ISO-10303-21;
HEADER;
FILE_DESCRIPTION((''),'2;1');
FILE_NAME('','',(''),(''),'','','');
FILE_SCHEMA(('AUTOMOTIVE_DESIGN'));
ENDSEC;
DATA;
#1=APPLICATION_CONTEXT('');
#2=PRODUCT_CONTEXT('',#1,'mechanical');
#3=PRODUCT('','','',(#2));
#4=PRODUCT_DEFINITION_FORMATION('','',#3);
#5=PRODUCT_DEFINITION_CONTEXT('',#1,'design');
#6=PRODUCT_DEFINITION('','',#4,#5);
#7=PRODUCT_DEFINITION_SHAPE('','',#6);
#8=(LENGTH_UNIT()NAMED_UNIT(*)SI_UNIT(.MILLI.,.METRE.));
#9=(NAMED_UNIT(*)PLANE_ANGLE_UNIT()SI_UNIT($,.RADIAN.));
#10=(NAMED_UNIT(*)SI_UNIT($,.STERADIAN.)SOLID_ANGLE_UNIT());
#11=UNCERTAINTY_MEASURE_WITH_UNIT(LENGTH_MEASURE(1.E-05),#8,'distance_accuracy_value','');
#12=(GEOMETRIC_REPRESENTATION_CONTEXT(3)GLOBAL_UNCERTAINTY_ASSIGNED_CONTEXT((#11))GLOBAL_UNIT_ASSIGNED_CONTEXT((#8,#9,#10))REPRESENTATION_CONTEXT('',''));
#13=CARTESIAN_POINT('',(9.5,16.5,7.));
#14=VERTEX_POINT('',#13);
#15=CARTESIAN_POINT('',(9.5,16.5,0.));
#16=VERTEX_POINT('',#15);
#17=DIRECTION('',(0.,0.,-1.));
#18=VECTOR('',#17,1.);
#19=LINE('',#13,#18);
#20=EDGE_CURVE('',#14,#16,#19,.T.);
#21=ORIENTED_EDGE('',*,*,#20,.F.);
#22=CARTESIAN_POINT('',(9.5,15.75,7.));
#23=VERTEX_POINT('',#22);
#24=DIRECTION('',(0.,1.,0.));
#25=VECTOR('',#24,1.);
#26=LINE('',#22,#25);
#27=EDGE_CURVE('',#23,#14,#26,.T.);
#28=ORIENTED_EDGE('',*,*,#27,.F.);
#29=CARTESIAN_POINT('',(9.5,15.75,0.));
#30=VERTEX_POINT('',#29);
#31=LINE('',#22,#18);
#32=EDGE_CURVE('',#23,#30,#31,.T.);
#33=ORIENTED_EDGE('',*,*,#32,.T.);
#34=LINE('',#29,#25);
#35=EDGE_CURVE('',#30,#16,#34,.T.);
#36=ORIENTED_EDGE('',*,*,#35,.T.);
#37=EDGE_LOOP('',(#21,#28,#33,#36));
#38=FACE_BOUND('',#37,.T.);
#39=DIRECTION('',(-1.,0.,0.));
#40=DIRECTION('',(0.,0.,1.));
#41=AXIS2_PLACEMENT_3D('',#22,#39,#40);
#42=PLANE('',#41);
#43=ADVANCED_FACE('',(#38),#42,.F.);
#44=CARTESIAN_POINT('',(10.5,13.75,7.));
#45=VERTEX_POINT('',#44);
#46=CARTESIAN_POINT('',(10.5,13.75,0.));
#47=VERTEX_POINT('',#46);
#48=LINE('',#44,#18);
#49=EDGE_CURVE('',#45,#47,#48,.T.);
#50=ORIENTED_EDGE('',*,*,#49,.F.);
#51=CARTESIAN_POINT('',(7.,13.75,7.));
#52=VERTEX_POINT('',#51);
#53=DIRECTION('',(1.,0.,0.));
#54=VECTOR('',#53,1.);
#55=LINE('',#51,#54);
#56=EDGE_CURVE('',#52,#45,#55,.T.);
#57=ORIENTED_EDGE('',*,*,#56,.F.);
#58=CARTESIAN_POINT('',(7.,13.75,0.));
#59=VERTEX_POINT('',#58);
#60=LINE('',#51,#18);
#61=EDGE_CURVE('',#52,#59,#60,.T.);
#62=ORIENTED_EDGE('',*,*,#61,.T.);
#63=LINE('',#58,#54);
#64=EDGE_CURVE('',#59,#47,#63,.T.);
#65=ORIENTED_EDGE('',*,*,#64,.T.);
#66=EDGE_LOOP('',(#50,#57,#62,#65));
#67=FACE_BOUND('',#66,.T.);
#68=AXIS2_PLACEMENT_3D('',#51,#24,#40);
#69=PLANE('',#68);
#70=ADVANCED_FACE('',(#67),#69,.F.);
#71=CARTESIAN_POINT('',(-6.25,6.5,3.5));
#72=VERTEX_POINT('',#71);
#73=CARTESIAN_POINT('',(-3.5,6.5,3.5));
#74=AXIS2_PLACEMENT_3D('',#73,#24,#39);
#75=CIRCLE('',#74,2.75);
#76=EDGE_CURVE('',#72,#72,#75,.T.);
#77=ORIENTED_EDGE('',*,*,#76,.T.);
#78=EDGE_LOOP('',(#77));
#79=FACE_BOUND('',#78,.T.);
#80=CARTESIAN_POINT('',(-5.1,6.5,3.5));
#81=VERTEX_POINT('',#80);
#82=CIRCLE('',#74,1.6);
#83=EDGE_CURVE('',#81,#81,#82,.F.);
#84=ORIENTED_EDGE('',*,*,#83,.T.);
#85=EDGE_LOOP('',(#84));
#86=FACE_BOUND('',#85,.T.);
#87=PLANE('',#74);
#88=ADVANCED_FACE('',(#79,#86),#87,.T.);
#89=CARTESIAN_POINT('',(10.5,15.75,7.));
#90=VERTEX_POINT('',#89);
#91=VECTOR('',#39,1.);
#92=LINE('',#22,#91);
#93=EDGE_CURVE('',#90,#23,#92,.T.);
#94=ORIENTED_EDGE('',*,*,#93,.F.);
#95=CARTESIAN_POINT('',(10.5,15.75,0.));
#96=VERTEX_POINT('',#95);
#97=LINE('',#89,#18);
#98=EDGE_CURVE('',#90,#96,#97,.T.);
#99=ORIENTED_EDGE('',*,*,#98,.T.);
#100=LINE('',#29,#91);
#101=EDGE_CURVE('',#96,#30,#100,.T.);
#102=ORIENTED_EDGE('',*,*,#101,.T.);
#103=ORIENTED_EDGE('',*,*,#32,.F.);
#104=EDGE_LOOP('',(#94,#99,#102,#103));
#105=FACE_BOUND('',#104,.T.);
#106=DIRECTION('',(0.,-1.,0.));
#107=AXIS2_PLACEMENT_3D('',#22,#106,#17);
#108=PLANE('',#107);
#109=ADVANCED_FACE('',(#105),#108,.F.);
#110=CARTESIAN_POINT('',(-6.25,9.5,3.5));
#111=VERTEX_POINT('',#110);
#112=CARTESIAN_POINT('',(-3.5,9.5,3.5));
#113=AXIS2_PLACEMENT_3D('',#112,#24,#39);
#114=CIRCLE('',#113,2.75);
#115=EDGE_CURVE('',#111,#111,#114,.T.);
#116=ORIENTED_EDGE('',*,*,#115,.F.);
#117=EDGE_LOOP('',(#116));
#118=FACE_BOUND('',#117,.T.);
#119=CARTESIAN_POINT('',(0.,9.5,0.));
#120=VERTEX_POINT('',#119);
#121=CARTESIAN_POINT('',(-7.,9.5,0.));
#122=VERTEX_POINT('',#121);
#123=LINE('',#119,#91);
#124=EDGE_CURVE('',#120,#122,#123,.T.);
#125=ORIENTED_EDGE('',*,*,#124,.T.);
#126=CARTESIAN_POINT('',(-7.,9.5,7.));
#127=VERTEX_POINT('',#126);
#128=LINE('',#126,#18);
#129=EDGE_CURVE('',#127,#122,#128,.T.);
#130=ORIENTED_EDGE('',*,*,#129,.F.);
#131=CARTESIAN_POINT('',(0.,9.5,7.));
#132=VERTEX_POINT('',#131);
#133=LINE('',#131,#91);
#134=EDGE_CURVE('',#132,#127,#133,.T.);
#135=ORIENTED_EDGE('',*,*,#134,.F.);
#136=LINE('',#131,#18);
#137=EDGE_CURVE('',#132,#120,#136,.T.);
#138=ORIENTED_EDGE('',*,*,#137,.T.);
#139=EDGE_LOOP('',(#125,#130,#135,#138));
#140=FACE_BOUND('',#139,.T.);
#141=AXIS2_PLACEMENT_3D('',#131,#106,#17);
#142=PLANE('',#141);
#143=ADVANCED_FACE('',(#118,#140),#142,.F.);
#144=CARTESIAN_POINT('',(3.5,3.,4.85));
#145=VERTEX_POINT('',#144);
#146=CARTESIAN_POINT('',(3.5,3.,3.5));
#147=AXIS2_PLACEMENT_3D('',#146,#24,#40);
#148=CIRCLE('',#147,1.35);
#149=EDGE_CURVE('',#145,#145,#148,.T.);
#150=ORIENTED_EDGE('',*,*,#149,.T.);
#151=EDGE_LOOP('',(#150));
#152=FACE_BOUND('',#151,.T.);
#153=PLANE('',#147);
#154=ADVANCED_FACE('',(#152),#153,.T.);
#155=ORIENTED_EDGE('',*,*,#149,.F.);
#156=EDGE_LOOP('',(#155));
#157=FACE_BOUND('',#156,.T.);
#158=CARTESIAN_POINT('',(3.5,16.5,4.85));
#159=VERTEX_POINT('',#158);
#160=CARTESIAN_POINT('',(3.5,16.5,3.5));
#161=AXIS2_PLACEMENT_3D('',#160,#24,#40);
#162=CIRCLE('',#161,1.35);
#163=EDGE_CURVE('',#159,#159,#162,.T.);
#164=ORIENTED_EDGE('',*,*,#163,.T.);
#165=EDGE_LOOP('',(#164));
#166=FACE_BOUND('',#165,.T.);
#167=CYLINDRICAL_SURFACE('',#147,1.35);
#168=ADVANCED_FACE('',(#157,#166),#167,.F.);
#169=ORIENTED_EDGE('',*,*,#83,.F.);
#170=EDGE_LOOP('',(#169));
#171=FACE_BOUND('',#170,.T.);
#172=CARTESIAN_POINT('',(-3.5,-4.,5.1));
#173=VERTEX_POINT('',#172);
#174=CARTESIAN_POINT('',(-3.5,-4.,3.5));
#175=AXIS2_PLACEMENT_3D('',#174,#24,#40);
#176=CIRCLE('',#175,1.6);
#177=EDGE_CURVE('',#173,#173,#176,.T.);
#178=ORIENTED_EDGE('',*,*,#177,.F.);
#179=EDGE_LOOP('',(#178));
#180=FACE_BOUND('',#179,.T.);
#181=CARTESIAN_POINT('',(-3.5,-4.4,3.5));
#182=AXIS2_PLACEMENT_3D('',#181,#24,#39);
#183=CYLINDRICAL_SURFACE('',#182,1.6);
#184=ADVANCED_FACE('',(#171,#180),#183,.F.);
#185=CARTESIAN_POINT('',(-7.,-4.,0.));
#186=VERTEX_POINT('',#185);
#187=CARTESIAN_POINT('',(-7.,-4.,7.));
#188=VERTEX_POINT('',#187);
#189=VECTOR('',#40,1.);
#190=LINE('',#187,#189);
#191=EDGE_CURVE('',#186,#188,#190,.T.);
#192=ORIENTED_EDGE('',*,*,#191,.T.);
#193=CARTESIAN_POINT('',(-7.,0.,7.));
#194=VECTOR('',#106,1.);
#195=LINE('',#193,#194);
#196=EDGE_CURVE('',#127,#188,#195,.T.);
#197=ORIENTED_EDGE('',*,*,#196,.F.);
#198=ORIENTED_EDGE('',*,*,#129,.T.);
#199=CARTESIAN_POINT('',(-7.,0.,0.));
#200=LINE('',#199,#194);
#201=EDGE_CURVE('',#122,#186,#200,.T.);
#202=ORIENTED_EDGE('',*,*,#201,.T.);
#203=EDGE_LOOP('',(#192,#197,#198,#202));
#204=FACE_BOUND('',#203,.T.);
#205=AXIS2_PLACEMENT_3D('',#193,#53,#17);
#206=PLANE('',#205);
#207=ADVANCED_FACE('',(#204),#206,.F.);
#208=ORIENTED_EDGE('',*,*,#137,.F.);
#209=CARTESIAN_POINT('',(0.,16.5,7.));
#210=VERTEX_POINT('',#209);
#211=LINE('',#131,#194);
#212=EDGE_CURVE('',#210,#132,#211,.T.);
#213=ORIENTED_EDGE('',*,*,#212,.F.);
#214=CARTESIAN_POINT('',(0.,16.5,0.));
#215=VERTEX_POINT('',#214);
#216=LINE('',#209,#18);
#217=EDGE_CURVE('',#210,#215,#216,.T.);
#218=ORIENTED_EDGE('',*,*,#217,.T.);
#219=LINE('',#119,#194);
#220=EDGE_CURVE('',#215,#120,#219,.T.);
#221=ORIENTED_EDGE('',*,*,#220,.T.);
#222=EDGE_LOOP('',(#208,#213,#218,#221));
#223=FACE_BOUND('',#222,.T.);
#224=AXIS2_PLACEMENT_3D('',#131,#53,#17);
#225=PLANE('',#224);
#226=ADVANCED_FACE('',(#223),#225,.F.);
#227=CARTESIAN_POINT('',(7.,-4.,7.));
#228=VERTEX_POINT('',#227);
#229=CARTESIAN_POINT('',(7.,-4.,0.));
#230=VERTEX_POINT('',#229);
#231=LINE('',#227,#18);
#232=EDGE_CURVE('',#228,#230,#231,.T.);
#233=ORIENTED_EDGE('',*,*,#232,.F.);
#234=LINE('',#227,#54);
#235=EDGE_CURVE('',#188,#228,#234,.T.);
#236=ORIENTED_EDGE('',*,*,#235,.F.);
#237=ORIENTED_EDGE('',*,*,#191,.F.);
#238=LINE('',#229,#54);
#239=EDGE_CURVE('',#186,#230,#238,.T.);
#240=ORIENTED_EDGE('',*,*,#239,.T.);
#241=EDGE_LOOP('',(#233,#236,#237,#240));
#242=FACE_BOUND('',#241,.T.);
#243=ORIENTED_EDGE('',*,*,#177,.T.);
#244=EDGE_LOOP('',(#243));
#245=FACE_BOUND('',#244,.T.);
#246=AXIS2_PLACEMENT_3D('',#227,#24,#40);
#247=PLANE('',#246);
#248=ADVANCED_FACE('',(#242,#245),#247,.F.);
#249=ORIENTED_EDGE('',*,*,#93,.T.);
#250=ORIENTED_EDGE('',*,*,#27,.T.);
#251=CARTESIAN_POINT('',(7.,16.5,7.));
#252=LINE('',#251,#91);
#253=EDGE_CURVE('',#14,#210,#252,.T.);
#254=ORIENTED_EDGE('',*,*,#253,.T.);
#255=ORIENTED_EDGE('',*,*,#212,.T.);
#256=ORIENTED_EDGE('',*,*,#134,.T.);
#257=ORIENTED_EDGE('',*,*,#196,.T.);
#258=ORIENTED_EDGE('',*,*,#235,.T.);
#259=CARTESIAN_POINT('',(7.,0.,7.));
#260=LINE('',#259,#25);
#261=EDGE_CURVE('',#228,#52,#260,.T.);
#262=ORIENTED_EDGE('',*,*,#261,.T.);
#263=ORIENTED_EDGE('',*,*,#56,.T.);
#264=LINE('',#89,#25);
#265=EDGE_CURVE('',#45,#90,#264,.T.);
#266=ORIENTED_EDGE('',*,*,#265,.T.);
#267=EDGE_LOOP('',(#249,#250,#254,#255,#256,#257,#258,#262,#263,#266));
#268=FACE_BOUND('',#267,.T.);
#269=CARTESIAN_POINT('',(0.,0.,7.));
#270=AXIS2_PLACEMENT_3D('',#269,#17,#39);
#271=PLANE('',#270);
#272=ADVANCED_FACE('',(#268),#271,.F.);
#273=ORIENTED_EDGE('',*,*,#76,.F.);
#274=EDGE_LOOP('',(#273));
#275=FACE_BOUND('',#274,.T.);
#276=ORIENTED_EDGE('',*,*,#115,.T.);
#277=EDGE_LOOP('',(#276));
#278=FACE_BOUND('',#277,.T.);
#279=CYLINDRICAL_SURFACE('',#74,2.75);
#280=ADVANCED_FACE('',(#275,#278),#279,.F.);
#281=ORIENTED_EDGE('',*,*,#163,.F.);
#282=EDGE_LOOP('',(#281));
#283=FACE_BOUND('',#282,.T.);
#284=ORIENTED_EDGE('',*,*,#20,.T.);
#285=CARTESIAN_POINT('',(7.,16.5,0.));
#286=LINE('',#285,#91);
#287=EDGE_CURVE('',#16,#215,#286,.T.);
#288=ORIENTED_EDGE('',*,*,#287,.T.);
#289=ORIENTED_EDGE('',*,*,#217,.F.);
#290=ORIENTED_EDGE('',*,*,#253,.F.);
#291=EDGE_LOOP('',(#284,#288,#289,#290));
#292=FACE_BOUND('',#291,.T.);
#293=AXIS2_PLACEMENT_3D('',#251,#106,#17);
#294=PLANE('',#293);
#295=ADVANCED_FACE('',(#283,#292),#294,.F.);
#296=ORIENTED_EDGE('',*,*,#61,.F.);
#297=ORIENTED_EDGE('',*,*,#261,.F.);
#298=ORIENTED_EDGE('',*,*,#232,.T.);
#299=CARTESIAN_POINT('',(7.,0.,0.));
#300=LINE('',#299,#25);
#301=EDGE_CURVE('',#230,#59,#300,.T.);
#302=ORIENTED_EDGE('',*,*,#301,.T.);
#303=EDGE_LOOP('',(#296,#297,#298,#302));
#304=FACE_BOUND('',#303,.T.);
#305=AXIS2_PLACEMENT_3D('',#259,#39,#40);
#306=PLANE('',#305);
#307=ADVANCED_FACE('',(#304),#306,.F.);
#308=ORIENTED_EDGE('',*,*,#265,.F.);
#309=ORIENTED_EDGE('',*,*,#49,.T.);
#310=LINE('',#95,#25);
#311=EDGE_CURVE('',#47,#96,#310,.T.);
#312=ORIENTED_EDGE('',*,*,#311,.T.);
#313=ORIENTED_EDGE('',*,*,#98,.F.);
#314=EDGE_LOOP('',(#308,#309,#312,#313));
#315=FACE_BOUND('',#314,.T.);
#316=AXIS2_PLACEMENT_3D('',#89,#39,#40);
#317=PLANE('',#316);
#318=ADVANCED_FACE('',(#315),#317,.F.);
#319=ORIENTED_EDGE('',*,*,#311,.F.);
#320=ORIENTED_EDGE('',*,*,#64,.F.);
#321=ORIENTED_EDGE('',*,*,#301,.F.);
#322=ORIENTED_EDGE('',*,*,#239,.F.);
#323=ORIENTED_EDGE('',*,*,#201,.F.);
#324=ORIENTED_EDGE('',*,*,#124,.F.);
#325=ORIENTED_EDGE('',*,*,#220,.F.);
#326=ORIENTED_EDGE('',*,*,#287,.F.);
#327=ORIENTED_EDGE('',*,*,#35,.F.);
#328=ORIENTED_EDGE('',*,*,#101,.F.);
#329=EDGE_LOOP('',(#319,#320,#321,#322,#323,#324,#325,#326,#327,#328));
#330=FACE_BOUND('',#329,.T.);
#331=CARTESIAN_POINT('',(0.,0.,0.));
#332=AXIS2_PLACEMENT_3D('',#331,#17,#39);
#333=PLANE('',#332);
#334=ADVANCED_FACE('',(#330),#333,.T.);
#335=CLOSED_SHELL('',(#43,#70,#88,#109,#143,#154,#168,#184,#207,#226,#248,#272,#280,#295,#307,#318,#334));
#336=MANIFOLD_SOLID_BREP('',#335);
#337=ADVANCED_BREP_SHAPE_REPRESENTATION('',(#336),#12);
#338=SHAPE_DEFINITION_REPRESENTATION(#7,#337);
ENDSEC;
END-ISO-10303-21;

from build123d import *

# Parameters (mm, degrees)
SALIENTE_EXTRUIR1_DEPTH = 7
CROQUIS4_R              = 1.35
CORTAR_EXTRUIR1_DEPTH   = 13.5
CROQUIS5_R              = 1.6
CORTAR_EXTRUIR2_DEPTH   = 13.9
CROQUIS6_R              = 2.75
CORTAR_EXTRUIR3_DEPTH   = 3
CROQUIS7_W              = 11
CROQUIS7_H              = 7
CROQUIS7_R              = 1.6
SALIENTE_EXTRUIR2_DEPTH = 4


with BuildPart() as part:
    # Croquis1 → Saliente-Extruir1 (new body)
    with BuildSketch(Plane.XY):
        Polygon((0, 0), (4, 0), (4, -4), (7, -4), (7, 0), (7, 13.75), (10.5, 13.75), (10.5, 15.75), (9.5, 15.75), (9.5, 16.5), (7, 16.5), (0, 16.5), (0, 9.5), (-7, 9.5), (-7, 0), align=None)
    extrude(amount=SALIENTE_EXTRUIR1_DEPTH)

    # Croquis4 → Cortar-Extruir1 (cut)
    with BuildSketch(Plane(origin=(0, 16.5, 0), x_dir=(1, 0, 0), z_dir=(0, 1, 0))):
        with Locations(Location((3.5, -3.5, 0), (0, 0, 270))):
            Circle(CROQUIS4_R)
    extrude(amount=-CORTAR_EXTRUIR1_DEPTH, mode=Mode.SUBTRACT)

    # Croquis5 → Cortar-Extruir2 (cut)
    with BuildSketch(Plane(origin=(0, 9.5, 0), x_dir=(1, 0, 0), z_dir=(0, 1, 0))):
        with Locations(Location((-3.5, -3.5, 0), (0, 0, 180))):
            Circle(CROQUIS5_R)
    extrude(amount=-CORTAR_EXTRUIR2_DEPTH, mode=Mode.SUBTRACT)

    # Croquis6 → Cortar-Extruir3 (cut)
    with BuildSketch(Plane(origin=(0, 9.5, 0), x_dir=(1, 0, 0), z_dir=(0, 1, 0))):
        with Locations(Location((-3.5, -3.5, 0), (0, 0, 180))):
            Circle(CROQUIS6_R)
    extrude(amount=-CORTAR_EXTRUIR3_DEPTH, mode=Mode.SUBTRACT)

    # Croquis7 → Saliente-Extruir2 (add)
    with BuildSketch(Plane.XZ):
        with Locations((-1.5, 3.5)):
            Rectangle(CROQUIS7_W, CROQUIS7_H)
        with Locations(Location((-3.5, 3.5, 0), (0, 0, 180))):
            Circle(CROQUIS7_R, mode=Mode.SUBTRACT)
    extrude(amount=SALIENTE_EXTRUIR2_DEPTH)


solid = part.part
